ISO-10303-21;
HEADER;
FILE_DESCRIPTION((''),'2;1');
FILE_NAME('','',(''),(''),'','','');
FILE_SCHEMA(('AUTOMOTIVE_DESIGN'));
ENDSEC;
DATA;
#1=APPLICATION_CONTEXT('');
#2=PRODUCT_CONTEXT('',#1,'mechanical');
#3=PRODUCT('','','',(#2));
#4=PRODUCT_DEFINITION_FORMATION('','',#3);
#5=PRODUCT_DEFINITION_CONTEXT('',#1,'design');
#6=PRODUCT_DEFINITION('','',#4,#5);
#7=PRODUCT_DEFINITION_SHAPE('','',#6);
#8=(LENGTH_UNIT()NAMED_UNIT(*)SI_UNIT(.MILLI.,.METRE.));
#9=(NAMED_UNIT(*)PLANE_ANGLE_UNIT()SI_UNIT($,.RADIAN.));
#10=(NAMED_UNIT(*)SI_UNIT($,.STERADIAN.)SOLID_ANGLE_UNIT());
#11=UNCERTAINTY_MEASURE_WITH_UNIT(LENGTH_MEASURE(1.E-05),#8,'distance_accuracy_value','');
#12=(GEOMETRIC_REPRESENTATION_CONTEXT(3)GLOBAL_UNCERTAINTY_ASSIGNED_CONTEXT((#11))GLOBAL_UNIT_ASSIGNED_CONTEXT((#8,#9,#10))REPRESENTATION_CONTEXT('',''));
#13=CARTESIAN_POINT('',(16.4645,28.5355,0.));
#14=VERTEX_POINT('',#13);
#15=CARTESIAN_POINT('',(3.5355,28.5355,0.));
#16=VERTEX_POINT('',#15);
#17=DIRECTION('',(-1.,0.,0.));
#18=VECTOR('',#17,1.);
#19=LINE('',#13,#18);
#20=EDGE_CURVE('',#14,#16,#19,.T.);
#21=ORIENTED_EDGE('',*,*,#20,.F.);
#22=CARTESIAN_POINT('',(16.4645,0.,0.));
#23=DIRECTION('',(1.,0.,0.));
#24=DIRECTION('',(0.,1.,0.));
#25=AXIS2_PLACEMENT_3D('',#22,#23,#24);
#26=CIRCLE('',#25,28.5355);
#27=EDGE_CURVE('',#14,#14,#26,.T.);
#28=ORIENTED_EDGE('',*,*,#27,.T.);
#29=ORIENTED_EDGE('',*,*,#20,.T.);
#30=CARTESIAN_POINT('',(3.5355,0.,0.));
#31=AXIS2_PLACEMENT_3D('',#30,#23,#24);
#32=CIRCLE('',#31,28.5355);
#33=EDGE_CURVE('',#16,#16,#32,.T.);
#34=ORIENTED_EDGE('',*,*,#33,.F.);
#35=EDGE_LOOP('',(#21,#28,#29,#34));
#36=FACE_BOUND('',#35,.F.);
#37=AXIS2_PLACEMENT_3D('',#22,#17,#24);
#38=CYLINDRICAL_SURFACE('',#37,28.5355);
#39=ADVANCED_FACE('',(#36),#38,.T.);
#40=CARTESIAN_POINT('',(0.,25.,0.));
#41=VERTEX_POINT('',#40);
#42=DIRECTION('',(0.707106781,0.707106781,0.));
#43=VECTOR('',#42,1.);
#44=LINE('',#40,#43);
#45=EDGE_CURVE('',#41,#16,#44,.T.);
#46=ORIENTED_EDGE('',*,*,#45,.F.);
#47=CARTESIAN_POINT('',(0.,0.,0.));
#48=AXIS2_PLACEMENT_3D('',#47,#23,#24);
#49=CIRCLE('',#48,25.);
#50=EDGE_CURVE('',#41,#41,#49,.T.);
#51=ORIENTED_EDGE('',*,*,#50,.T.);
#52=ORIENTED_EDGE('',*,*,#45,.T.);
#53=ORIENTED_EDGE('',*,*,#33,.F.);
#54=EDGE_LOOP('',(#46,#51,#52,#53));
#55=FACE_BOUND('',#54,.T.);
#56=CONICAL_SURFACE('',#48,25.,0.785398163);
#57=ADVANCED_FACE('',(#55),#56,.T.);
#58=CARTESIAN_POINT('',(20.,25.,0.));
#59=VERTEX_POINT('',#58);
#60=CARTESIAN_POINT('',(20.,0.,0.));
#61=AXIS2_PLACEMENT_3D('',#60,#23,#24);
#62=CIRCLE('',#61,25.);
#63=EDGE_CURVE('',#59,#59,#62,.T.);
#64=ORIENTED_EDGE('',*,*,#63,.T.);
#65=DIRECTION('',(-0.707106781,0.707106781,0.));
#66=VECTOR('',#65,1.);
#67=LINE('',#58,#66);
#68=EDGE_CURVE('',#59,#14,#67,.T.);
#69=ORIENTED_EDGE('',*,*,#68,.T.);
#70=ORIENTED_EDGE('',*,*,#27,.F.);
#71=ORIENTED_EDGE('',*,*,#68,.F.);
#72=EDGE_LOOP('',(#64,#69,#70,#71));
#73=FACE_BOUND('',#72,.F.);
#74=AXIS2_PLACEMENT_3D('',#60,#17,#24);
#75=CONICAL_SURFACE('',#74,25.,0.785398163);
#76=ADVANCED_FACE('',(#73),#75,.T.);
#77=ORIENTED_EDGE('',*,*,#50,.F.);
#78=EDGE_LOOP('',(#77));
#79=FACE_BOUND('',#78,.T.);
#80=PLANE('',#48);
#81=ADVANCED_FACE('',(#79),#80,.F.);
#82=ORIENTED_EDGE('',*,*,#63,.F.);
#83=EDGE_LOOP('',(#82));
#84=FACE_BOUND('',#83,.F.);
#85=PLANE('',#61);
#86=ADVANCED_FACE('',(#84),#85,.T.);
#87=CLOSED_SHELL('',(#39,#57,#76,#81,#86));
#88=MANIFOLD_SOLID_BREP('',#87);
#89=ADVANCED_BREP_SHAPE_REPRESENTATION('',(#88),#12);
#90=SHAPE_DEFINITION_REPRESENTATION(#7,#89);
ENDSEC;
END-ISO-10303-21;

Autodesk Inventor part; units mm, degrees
ref_plane "YZ Plane" through (0, 0, 0) normal (1, 0, 0) x (0, 1, 0)
ref_plane "XZ Plane" through (0, 0, 0) normal (0, 1, 0) x (-1, 0, 0)
ref_plane "XY Plane" through (0, 0, 0) normal (0, 0, 1) x (1, 0, 0)
sketch "Эскиз1" plane through (0, 0, 0) normal (0, 0, 1) x (1, 0, 0)
  line L0 (0, 0) -> (20, 0)
  line L1 (0, 0) -> (0, 25)
  line L2 (0, 25) -> (3.5355, 28.5355)
  line L3 (20, 0) -> (20, 25)
  line L4 (20, 0) -> (45, 0) construction
  line L5 (20, 25) -> (16.4645, 28.5355)
  line L6 (20, 25) -> (25, 25) construction
  line L7 (16.4645, 28.5355) -> (3.5355, 28.5355)
  dimension "d0" = 20
  dimension "d1" = 25
  dimension "d2" = 5
  dimension "d3" = 135
  dimension "d4" = 25
  dimension "d5" = 90
  dimension "d6" = 5
  dimension "d7" = 135
revolve "Вращение1" add sketch "Эскиз1" angle 360 about axis through (0, 0, 0) along (1, 0, 0)
properties part number "711111"
